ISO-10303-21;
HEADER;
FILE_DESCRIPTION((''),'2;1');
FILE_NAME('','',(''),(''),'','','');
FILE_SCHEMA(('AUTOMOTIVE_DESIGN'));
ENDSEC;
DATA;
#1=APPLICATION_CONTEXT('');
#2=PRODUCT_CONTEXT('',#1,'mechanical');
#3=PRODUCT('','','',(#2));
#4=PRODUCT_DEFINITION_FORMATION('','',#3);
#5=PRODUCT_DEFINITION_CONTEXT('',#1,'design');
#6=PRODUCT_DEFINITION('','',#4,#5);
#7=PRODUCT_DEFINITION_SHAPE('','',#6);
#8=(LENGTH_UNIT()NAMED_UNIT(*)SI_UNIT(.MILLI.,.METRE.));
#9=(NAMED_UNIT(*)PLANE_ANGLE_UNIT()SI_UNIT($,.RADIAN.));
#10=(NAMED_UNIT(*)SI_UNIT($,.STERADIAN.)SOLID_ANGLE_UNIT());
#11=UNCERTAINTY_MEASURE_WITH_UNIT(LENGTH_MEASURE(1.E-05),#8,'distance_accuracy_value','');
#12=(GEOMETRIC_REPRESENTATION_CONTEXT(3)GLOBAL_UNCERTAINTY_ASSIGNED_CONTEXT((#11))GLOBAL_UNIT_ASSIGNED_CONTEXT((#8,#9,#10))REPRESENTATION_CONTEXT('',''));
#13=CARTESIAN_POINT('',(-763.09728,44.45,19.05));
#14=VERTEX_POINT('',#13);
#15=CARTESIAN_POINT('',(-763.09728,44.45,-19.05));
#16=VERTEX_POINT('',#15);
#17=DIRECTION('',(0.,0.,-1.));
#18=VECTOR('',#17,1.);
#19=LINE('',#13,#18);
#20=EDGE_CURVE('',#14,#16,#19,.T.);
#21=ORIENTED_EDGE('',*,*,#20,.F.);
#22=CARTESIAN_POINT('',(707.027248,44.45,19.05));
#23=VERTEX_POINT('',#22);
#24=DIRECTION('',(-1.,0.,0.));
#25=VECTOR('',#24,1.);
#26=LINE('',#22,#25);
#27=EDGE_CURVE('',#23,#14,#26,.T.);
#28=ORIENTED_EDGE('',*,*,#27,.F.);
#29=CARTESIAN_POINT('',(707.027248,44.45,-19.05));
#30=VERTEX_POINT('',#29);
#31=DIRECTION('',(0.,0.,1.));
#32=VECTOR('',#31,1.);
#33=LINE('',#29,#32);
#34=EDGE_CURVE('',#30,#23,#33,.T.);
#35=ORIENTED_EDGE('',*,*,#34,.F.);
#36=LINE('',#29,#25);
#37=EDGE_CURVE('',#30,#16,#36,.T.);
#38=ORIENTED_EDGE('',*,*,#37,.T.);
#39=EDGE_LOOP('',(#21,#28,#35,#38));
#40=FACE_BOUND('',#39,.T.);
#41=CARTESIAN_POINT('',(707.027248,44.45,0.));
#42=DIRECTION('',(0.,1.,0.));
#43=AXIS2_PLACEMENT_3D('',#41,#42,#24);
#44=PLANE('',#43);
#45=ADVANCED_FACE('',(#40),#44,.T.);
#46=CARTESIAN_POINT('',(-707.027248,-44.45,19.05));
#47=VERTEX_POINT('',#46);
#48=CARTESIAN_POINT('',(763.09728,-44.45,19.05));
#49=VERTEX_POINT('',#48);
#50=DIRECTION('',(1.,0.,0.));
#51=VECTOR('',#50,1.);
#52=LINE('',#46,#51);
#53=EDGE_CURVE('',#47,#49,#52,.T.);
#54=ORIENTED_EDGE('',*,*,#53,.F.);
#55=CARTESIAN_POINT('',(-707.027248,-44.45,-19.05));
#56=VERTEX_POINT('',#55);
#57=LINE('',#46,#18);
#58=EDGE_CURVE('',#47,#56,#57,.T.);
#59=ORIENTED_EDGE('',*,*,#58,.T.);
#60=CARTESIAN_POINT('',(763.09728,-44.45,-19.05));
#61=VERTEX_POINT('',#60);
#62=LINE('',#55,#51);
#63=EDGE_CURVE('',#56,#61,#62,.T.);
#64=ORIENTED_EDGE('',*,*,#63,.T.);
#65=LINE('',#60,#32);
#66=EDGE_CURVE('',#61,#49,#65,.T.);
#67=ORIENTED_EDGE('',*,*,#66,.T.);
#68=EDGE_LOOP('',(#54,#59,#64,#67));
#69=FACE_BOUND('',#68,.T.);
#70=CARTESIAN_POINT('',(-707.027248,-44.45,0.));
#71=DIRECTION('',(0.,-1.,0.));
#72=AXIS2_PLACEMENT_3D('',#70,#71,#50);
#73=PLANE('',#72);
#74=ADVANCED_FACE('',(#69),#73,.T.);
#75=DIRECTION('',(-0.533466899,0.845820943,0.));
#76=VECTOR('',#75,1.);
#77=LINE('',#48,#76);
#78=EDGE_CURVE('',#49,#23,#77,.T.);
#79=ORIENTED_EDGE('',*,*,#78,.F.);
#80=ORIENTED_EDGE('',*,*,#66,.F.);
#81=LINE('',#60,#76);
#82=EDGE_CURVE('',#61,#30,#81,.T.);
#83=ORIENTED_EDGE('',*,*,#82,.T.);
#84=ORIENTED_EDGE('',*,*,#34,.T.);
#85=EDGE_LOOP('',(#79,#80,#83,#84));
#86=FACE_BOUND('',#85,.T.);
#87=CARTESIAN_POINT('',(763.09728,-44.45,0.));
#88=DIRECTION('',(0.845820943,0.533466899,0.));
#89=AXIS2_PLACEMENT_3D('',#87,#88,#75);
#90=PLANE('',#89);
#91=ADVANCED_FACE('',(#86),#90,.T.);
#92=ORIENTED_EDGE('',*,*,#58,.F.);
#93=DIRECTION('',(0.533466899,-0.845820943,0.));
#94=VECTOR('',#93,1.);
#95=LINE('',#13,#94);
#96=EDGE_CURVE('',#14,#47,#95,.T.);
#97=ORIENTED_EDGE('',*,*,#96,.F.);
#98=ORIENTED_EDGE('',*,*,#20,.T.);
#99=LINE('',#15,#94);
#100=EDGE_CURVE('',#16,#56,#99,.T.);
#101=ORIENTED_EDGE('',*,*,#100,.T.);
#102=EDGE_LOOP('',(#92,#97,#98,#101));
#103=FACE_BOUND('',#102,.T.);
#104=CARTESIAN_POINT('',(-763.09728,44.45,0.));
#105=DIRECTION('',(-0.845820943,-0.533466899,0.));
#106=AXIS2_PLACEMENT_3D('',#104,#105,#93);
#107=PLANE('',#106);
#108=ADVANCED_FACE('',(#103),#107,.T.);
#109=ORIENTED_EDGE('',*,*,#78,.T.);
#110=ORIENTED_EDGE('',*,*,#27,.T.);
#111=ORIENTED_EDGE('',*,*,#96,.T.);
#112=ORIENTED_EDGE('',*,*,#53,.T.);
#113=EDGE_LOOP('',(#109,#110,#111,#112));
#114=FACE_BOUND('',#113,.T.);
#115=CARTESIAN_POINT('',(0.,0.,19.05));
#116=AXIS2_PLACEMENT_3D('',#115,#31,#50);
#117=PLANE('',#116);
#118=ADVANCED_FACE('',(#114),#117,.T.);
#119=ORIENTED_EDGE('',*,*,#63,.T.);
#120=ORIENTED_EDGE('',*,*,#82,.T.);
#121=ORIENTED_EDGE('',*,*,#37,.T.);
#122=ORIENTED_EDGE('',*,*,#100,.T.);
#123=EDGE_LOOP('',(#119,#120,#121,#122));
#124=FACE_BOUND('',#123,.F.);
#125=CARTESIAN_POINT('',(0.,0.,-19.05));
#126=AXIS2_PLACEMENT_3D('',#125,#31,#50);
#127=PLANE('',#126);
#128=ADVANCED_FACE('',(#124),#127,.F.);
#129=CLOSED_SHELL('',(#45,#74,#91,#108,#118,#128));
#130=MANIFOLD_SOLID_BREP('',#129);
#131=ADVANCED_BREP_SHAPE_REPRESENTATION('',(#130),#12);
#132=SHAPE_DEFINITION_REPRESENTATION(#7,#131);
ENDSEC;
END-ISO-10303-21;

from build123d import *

# Parameters (mm, degrees)
F1_DEPTH = 19.05


with BuildPart() as f1:
    # F0 (on Top) → F1 (new body, symmetric)
    with BuildSketch(Plane.XY):
        Polygon((-707.027248, -44.45), (763.09728, -44.45), (707.027248, 44.45), (-763.09728, 44.45), align=None)
    extrude(amount=F1_DEPTH, both=True)


solid = f1.part
